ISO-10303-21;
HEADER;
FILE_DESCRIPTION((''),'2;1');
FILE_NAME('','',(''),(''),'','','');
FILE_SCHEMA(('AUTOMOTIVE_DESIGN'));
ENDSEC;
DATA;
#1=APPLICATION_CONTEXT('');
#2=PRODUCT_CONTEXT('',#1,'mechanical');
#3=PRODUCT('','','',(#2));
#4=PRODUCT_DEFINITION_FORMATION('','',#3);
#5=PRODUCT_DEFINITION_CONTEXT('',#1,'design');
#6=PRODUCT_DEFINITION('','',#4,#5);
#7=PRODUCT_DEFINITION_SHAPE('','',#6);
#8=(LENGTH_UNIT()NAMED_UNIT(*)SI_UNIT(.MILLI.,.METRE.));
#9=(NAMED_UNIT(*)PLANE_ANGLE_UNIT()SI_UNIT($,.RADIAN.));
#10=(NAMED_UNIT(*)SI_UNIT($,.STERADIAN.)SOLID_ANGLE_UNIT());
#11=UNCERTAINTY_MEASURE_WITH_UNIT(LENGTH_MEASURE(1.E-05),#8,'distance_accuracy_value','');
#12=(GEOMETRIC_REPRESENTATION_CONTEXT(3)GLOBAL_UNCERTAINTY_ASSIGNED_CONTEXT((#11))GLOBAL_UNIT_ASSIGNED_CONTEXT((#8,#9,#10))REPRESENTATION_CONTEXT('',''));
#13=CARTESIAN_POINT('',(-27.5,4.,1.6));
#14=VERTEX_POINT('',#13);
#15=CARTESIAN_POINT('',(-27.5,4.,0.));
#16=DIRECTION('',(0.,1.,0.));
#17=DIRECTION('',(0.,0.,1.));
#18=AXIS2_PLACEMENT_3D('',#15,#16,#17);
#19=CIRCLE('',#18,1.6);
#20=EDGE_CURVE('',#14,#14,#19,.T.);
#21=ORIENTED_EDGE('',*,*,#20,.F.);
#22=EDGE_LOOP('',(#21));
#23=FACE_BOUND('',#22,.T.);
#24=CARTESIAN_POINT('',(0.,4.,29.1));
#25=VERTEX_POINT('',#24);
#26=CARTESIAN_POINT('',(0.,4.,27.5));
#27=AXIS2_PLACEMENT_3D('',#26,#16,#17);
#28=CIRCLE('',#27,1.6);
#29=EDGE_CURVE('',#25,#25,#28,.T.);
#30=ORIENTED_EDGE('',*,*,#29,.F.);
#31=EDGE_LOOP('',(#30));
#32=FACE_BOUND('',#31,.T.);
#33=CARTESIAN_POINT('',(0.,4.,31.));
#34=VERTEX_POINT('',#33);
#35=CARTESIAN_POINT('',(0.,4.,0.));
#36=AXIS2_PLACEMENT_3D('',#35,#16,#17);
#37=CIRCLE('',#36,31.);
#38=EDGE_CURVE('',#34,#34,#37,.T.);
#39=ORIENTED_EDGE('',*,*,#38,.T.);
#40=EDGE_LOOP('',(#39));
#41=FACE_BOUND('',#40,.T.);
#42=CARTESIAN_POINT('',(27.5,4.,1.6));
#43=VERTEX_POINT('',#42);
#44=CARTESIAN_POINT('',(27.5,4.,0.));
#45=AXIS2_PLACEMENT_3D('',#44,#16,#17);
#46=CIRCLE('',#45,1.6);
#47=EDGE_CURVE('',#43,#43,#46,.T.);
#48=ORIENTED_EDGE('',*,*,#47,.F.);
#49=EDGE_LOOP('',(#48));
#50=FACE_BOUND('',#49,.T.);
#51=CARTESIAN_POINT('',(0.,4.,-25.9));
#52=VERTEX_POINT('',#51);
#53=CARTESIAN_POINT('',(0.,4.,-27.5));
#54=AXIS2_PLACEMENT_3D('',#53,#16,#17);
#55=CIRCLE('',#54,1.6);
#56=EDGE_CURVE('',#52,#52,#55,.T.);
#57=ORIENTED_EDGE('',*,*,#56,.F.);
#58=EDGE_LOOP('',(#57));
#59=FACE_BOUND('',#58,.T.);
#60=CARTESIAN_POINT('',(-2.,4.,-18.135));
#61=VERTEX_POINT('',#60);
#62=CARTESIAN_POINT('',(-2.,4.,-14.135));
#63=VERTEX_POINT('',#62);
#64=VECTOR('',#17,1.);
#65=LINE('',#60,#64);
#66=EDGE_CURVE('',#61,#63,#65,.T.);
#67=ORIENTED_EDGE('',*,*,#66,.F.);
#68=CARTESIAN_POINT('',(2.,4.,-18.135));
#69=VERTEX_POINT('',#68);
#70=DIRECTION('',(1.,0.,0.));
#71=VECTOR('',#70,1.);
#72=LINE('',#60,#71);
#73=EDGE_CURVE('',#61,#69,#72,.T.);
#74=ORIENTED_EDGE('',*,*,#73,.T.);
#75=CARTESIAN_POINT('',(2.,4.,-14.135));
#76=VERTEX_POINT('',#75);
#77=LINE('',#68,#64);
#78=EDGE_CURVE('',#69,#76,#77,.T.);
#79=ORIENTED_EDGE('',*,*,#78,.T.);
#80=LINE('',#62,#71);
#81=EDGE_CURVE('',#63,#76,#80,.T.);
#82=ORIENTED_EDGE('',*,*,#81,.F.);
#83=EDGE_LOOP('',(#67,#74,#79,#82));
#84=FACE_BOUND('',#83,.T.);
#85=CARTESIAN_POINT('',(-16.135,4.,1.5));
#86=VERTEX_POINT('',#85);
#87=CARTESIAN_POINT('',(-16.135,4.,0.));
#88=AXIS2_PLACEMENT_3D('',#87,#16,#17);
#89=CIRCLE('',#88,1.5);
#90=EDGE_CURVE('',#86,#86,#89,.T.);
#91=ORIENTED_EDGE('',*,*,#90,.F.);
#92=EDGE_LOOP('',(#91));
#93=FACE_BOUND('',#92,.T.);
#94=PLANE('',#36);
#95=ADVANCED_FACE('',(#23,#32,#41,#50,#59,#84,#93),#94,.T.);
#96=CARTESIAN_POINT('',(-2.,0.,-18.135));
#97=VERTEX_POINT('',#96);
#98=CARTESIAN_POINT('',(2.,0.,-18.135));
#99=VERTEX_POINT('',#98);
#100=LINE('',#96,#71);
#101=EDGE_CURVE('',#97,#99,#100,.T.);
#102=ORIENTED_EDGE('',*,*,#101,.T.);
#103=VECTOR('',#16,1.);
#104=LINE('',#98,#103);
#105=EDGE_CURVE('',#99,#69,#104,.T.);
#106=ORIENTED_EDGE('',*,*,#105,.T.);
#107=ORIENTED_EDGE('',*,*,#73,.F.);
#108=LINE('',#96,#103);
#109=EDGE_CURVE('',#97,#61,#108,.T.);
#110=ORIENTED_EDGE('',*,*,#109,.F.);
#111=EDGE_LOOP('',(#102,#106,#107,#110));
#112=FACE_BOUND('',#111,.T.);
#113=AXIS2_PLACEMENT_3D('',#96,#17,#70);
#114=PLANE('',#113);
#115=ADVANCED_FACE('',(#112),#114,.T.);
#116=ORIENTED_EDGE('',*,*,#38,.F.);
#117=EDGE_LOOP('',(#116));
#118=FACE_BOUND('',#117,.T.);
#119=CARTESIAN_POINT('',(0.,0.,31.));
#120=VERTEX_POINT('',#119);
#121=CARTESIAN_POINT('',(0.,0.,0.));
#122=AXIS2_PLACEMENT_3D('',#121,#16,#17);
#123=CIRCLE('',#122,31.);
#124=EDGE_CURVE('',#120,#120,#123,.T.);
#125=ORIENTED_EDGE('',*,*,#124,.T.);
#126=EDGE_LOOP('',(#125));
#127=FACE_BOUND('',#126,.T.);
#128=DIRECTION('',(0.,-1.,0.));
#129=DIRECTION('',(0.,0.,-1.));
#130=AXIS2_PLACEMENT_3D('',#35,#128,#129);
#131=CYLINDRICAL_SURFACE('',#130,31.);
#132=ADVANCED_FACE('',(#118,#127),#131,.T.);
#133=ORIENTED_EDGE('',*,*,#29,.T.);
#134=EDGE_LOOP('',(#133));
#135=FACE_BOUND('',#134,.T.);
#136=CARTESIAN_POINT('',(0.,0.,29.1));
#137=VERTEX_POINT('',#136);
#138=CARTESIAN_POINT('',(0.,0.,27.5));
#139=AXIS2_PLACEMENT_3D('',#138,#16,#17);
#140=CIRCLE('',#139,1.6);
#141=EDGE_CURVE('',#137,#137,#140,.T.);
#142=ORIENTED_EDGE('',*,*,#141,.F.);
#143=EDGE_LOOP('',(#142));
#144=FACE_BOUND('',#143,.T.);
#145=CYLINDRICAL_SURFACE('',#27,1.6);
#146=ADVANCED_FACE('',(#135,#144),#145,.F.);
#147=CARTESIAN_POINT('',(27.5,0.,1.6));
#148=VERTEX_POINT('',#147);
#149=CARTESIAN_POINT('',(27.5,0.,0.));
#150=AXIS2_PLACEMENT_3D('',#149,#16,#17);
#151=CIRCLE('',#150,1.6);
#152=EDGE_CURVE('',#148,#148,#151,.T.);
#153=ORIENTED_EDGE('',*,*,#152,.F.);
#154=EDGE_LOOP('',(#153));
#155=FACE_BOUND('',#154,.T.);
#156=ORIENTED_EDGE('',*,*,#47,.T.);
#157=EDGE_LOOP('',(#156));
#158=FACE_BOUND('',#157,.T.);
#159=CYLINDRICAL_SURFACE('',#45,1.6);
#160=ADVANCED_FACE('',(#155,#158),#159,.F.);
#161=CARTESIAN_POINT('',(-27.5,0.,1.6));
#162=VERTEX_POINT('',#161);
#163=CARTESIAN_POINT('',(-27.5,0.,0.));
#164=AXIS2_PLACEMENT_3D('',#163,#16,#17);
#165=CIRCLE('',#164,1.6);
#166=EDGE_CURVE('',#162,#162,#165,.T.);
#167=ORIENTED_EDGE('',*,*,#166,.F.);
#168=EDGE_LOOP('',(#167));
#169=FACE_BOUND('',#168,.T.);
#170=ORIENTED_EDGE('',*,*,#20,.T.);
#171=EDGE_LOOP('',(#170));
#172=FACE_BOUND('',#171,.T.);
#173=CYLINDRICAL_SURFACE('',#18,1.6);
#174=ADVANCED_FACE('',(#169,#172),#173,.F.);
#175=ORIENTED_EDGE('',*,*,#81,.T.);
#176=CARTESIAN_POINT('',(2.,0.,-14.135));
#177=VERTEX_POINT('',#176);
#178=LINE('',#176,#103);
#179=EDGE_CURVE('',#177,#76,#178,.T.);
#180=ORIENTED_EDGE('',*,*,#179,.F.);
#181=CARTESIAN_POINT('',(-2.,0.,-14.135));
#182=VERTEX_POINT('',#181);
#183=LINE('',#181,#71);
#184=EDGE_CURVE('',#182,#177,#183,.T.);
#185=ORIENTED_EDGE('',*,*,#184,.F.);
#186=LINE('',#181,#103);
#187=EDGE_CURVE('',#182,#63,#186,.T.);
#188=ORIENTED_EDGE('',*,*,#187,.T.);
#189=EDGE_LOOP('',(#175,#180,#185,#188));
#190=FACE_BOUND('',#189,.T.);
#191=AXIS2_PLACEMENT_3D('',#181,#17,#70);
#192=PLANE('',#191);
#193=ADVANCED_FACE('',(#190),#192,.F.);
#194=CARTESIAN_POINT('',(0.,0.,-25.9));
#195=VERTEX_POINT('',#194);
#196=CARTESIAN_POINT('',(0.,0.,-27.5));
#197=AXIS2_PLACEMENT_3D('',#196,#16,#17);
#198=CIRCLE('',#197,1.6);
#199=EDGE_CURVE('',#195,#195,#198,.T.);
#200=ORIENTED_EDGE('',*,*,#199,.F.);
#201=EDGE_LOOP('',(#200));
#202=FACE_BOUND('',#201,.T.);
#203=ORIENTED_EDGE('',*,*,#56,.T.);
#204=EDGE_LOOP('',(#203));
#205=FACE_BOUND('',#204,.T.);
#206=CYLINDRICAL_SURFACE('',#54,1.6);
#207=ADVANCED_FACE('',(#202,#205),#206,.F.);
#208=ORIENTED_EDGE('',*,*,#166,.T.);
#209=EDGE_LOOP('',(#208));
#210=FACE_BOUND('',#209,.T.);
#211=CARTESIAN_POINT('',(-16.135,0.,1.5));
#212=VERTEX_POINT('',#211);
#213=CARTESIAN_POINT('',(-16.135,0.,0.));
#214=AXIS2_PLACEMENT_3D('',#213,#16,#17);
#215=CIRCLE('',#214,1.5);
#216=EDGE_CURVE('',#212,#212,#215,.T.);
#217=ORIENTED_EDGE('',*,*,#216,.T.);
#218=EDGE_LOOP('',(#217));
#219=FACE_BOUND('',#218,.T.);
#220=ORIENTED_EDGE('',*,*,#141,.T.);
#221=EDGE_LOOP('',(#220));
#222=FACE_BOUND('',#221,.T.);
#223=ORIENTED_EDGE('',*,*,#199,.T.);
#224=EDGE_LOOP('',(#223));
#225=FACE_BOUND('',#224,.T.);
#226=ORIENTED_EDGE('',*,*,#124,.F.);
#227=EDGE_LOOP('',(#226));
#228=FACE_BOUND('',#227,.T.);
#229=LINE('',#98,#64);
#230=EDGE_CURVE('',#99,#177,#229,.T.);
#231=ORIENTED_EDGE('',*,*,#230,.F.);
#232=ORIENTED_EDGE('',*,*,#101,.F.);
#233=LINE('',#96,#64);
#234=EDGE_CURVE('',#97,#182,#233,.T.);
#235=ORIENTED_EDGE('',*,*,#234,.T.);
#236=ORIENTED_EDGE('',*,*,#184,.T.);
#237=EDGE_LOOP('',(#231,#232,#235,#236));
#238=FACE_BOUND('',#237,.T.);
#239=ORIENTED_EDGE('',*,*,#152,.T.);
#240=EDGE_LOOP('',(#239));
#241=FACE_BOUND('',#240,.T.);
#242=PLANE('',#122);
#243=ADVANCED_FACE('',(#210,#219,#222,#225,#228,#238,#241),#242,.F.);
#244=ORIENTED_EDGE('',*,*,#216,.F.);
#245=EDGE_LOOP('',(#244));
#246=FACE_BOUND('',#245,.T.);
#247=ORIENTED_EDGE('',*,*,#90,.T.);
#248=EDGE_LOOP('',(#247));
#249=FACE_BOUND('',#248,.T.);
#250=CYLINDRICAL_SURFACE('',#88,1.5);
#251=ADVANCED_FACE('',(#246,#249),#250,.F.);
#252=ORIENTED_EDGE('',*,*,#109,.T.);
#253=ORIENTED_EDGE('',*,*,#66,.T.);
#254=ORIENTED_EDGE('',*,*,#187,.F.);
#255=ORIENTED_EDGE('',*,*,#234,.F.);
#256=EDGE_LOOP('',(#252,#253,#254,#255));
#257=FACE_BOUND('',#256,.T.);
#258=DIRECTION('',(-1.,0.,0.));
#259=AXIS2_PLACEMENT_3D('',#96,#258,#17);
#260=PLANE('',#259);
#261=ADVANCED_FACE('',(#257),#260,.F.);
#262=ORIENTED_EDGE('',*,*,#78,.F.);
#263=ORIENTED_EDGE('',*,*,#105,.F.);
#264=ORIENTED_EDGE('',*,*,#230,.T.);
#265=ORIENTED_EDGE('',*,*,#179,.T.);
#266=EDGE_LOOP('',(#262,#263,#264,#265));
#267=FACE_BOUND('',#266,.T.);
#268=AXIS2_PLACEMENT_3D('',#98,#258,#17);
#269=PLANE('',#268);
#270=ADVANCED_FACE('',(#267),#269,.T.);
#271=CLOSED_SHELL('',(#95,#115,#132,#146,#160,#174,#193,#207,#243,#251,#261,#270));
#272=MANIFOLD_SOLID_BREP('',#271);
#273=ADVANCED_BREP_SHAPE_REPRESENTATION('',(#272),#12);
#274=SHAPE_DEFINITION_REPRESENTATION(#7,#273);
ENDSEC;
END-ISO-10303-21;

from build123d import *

# Parameters (mm, degrees)
SKETCH1_R                  = 31
BOSS_EXTRUDE1_DEPTH        = 4
F_3_2_3_2_DIAMETER_HOLE1_D = 3.2
F_3_0_3_DIAMETER_HOLE1_D   = 3
SKETCH6_W                  = 4
SKETCH6_H                  = 4
CUT_EXTRUDE2_DEPTH         = 45.022721406


with BuildPart() as part:
    # Sketch1 → Boss-Extrude1 (new body)
    with BuildSketch(Plane(origin=(0, 0, 0), x_dir=(1, 0, 0), z_dir=(0, 1, 0))):
        with Locations(Location((0, 0, 0), (0, 0, 270))):
            Circle(SKETCH1_R)
    extrude(amount=BOSS_EXTRUDE1_DEPTH)

    # Ø3.2 (3.2) Diameter Hole1 (through all)
    with Locations(Plane(origin=(0, 4, 0), x_dir=(1, 0, 0), z_dir=(0, 1, 0))):
        with Locations((-27.5, 0), (27.5, 0), (0, 27.5), (0, -27.5)):
            Hole(F_3_2_3_2_DIAMETER_HOLE1_D / 2)

    # Ø3.0 (3) Diameter Hole1 (through all)
    with Locations(Plane(origin=(0, 4, 0), x_dir=(1, 0, 0), z_dir=(0, 1, 0))):
        with Locations((-16.135, 0)):
            Hole(F_3_0_3_DIAMETER_HOLE1_D / 2)

    # Sketch6 → Cut-Extrude2 (cut, through all)
    with BuildSketch(Plane(origin=(0, 4, 0), x_dir=(1, 0, 0), z_dir=(0, 1, 0))):
        with Locations((0, 16.135)):
            Rectangle(SKETCH6_W, SKETCH6_H)
    extrude(amount=-CUT_EXTRUDE2_DEPTH, mode=Mode.SUBTRACT)


solid = part.part
